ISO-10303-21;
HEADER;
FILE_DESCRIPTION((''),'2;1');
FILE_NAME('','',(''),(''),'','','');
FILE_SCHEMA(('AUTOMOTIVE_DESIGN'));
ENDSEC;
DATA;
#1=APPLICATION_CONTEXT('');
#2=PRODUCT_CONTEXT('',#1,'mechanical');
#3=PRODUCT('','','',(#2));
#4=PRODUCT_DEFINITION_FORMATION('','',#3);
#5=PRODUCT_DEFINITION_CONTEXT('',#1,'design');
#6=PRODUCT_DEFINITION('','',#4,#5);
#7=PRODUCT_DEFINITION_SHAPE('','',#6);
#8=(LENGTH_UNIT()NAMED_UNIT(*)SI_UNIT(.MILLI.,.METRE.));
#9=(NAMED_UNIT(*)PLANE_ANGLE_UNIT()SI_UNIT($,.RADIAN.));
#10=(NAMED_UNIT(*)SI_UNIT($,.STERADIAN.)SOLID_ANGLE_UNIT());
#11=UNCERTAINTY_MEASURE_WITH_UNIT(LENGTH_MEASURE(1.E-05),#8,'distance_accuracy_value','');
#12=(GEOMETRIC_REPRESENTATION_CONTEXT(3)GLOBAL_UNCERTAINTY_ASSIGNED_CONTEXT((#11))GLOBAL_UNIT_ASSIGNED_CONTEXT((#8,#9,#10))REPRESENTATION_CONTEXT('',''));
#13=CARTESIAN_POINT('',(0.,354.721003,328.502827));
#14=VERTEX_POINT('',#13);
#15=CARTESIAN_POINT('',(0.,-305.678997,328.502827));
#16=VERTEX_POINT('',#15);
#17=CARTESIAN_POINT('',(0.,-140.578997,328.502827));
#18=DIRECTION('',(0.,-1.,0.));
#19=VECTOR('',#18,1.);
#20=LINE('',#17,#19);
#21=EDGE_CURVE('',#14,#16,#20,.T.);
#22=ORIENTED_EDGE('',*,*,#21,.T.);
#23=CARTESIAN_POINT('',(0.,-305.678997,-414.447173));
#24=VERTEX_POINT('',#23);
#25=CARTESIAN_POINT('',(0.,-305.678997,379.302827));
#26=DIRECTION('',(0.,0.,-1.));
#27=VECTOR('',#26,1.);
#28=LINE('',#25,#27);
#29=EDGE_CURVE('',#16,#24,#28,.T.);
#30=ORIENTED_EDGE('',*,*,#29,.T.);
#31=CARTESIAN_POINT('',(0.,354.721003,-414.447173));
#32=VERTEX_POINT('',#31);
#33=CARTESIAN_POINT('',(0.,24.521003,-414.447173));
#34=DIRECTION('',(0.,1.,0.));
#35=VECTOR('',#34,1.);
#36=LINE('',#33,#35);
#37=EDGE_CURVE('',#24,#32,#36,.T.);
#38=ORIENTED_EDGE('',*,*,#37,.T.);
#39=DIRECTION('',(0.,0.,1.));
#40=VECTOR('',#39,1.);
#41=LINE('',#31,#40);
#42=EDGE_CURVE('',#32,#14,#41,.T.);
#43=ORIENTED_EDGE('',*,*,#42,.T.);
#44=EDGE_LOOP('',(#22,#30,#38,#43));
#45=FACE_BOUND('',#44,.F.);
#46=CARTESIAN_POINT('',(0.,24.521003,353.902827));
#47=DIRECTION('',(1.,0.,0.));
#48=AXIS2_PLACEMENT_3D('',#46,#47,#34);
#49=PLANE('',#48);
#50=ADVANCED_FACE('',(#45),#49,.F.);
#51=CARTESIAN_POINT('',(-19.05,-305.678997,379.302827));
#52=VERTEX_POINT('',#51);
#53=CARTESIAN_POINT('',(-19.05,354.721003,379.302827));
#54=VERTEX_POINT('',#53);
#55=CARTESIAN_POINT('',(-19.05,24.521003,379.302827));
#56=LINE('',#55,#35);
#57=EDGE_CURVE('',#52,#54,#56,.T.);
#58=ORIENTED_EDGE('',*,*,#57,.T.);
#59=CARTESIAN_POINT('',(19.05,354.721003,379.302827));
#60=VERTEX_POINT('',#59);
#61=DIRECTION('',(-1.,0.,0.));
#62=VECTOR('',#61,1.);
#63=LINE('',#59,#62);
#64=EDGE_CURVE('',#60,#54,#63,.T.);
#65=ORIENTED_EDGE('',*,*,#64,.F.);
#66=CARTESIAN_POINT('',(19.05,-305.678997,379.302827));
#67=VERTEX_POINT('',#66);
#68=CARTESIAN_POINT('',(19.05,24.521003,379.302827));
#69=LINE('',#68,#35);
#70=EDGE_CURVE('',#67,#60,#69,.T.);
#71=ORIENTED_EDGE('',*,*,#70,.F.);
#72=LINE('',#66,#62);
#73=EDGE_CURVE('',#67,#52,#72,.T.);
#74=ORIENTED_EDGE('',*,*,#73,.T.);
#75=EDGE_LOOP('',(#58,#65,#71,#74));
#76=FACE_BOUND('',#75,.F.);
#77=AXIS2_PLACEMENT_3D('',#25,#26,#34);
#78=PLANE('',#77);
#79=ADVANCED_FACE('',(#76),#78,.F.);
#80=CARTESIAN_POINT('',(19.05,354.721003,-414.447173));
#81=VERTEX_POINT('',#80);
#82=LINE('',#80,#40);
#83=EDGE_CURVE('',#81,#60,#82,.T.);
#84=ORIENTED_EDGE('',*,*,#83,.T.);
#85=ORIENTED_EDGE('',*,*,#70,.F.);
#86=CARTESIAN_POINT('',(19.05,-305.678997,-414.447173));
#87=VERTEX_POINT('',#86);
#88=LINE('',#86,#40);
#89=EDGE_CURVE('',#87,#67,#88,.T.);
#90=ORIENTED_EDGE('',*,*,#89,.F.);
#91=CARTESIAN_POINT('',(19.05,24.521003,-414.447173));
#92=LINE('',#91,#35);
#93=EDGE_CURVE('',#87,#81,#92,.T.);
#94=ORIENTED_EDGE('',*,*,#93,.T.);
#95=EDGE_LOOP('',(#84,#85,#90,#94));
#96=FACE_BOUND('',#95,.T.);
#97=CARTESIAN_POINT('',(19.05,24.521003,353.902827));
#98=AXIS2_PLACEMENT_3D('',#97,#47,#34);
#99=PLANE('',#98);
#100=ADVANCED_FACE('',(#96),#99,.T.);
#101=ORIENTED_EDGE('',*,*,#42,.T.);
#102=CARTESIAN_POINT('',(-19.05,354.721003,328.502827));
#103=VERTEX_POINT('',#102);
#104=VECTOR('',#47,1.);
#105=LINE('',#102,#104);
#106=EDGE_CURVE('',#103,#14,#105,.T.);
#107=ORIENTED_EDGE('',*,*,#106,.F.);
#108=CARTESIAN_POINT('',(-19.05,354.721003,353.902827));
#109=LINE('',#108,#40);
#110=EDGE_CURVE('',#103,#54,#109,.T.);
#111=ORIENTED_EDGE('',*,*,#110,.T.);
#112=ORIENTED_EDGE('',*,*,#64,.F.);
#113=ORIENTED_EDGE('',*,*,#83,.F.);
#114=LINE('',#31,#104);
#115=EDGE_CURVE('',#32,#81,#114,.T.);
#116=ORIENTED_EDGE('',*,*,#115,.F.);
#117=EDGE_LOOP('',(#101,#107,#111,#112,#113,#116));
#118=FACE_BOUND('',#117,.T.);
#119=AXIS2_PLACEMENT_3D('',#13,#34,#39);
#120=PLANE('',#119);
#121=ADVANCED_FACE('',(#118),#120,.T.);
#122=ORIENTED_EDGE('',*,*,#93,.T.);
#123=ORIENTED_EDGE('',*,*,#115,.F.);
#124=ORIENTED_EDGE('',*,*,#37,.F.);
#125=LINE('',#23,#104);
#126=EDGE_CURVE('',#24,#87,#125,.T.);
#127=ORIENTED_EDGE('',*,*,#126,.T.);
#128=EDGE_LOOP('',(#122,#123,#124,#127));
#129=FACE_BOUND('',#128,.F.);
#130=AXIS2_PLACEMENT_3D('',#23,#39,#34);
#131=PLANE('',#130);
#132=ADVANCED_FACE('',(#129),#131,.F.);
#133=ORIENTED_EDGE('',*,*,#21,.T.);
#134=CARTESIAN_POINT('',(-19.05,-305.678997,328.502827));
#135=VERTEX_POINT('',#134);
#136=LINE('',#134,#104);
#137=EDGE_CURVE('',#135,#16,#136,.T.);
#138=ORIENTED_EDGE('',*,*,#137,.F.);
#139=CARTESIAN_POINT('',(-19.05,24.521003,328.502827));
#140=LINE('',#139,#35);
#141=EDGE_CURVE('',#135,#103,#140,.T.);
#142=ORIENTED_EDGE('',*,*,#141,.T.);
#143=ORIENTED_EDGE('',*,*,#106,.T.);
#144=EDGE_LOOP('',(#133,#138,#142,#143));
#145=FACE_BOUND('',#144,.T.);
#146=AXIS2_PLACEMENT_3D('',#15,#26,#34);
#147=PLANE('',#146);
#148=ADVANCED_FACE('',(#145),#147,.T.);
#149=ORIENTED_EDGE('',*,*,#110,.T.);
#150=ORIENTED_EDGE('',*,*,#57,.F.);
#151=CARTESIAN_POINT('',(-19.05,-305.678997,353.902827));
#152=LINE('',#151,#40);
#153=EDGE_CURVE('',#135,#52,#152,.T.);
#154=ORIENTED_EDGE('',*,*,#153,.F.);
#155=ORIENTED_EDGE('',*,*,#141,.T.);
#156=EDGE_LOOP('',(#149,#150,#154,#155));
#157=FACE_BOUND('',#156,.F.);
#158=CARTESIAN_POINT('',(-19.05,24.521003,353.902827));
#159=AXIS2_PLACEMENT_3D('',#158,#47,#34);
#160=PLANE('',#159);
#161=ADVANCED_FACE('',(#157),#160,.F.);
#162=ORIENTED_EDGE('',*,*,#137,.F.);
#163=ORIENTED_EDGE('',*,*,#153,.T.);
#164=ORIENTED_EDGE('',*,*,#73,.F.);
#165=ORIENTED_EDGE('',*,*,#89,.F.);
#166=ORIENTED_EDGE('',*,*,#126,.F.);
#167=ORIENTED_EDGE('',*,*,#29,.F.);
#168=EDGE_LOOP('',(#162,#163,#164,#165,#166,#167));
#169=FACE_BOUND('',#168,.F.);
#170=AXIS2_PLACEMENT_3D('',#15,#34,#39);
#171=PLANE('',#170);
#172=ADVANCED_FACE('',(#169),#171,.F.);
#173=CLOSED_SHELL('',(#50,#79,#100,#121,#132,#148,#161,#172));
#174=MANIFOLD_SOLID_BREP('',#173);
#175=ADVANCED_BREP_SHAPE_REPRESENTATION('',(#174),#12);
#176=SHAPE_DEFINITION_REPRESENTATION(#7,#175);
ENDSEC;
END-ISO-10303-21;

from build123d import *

# Parameters (mm, degrees)
F0_W     = 660.4
F0_H     = 50.8
F1_DEPTH = 19.05
F2_DEPTH = 19.05
F0_H_2   = 742.95
F3_DEPTH = 19.05


with BuildPart() as f1:
    # F0 (on Right) → F1 (new body)
    with BuildSketch(Plane.YZ):
        with Locations((24.521003, 353.902827)):
            Rectangle(F0_W, F0_H)
    extrude(amount=F1_DEPTH)



with BuildPart() as f2:
    # F0 (on Right) → F2 (new body)
    with BuildSketch(Plane.YZ):
        with Locations((24.521003, 353.902827)):
            Rectangle(F0_W, F0_H)
    extrude(amount=-F2_DEPTH)


with BuildPart() as f1_1:
    add(f1.part)

    add(f2.part)  # F3 merges F2
    # F0 (on Right) → F3 (join)
    with BuildSketch(Plane.YZ):
        with Locations((24.521003, 353.902827)):
            Rectangle(F0_W, F0_H)
        with Locations((24.521003, -42.972173)):
            Rectangle(F0_W, F0_H_2)
    extrude(amount=F3_DEPTH)


solid = f1_1.part
